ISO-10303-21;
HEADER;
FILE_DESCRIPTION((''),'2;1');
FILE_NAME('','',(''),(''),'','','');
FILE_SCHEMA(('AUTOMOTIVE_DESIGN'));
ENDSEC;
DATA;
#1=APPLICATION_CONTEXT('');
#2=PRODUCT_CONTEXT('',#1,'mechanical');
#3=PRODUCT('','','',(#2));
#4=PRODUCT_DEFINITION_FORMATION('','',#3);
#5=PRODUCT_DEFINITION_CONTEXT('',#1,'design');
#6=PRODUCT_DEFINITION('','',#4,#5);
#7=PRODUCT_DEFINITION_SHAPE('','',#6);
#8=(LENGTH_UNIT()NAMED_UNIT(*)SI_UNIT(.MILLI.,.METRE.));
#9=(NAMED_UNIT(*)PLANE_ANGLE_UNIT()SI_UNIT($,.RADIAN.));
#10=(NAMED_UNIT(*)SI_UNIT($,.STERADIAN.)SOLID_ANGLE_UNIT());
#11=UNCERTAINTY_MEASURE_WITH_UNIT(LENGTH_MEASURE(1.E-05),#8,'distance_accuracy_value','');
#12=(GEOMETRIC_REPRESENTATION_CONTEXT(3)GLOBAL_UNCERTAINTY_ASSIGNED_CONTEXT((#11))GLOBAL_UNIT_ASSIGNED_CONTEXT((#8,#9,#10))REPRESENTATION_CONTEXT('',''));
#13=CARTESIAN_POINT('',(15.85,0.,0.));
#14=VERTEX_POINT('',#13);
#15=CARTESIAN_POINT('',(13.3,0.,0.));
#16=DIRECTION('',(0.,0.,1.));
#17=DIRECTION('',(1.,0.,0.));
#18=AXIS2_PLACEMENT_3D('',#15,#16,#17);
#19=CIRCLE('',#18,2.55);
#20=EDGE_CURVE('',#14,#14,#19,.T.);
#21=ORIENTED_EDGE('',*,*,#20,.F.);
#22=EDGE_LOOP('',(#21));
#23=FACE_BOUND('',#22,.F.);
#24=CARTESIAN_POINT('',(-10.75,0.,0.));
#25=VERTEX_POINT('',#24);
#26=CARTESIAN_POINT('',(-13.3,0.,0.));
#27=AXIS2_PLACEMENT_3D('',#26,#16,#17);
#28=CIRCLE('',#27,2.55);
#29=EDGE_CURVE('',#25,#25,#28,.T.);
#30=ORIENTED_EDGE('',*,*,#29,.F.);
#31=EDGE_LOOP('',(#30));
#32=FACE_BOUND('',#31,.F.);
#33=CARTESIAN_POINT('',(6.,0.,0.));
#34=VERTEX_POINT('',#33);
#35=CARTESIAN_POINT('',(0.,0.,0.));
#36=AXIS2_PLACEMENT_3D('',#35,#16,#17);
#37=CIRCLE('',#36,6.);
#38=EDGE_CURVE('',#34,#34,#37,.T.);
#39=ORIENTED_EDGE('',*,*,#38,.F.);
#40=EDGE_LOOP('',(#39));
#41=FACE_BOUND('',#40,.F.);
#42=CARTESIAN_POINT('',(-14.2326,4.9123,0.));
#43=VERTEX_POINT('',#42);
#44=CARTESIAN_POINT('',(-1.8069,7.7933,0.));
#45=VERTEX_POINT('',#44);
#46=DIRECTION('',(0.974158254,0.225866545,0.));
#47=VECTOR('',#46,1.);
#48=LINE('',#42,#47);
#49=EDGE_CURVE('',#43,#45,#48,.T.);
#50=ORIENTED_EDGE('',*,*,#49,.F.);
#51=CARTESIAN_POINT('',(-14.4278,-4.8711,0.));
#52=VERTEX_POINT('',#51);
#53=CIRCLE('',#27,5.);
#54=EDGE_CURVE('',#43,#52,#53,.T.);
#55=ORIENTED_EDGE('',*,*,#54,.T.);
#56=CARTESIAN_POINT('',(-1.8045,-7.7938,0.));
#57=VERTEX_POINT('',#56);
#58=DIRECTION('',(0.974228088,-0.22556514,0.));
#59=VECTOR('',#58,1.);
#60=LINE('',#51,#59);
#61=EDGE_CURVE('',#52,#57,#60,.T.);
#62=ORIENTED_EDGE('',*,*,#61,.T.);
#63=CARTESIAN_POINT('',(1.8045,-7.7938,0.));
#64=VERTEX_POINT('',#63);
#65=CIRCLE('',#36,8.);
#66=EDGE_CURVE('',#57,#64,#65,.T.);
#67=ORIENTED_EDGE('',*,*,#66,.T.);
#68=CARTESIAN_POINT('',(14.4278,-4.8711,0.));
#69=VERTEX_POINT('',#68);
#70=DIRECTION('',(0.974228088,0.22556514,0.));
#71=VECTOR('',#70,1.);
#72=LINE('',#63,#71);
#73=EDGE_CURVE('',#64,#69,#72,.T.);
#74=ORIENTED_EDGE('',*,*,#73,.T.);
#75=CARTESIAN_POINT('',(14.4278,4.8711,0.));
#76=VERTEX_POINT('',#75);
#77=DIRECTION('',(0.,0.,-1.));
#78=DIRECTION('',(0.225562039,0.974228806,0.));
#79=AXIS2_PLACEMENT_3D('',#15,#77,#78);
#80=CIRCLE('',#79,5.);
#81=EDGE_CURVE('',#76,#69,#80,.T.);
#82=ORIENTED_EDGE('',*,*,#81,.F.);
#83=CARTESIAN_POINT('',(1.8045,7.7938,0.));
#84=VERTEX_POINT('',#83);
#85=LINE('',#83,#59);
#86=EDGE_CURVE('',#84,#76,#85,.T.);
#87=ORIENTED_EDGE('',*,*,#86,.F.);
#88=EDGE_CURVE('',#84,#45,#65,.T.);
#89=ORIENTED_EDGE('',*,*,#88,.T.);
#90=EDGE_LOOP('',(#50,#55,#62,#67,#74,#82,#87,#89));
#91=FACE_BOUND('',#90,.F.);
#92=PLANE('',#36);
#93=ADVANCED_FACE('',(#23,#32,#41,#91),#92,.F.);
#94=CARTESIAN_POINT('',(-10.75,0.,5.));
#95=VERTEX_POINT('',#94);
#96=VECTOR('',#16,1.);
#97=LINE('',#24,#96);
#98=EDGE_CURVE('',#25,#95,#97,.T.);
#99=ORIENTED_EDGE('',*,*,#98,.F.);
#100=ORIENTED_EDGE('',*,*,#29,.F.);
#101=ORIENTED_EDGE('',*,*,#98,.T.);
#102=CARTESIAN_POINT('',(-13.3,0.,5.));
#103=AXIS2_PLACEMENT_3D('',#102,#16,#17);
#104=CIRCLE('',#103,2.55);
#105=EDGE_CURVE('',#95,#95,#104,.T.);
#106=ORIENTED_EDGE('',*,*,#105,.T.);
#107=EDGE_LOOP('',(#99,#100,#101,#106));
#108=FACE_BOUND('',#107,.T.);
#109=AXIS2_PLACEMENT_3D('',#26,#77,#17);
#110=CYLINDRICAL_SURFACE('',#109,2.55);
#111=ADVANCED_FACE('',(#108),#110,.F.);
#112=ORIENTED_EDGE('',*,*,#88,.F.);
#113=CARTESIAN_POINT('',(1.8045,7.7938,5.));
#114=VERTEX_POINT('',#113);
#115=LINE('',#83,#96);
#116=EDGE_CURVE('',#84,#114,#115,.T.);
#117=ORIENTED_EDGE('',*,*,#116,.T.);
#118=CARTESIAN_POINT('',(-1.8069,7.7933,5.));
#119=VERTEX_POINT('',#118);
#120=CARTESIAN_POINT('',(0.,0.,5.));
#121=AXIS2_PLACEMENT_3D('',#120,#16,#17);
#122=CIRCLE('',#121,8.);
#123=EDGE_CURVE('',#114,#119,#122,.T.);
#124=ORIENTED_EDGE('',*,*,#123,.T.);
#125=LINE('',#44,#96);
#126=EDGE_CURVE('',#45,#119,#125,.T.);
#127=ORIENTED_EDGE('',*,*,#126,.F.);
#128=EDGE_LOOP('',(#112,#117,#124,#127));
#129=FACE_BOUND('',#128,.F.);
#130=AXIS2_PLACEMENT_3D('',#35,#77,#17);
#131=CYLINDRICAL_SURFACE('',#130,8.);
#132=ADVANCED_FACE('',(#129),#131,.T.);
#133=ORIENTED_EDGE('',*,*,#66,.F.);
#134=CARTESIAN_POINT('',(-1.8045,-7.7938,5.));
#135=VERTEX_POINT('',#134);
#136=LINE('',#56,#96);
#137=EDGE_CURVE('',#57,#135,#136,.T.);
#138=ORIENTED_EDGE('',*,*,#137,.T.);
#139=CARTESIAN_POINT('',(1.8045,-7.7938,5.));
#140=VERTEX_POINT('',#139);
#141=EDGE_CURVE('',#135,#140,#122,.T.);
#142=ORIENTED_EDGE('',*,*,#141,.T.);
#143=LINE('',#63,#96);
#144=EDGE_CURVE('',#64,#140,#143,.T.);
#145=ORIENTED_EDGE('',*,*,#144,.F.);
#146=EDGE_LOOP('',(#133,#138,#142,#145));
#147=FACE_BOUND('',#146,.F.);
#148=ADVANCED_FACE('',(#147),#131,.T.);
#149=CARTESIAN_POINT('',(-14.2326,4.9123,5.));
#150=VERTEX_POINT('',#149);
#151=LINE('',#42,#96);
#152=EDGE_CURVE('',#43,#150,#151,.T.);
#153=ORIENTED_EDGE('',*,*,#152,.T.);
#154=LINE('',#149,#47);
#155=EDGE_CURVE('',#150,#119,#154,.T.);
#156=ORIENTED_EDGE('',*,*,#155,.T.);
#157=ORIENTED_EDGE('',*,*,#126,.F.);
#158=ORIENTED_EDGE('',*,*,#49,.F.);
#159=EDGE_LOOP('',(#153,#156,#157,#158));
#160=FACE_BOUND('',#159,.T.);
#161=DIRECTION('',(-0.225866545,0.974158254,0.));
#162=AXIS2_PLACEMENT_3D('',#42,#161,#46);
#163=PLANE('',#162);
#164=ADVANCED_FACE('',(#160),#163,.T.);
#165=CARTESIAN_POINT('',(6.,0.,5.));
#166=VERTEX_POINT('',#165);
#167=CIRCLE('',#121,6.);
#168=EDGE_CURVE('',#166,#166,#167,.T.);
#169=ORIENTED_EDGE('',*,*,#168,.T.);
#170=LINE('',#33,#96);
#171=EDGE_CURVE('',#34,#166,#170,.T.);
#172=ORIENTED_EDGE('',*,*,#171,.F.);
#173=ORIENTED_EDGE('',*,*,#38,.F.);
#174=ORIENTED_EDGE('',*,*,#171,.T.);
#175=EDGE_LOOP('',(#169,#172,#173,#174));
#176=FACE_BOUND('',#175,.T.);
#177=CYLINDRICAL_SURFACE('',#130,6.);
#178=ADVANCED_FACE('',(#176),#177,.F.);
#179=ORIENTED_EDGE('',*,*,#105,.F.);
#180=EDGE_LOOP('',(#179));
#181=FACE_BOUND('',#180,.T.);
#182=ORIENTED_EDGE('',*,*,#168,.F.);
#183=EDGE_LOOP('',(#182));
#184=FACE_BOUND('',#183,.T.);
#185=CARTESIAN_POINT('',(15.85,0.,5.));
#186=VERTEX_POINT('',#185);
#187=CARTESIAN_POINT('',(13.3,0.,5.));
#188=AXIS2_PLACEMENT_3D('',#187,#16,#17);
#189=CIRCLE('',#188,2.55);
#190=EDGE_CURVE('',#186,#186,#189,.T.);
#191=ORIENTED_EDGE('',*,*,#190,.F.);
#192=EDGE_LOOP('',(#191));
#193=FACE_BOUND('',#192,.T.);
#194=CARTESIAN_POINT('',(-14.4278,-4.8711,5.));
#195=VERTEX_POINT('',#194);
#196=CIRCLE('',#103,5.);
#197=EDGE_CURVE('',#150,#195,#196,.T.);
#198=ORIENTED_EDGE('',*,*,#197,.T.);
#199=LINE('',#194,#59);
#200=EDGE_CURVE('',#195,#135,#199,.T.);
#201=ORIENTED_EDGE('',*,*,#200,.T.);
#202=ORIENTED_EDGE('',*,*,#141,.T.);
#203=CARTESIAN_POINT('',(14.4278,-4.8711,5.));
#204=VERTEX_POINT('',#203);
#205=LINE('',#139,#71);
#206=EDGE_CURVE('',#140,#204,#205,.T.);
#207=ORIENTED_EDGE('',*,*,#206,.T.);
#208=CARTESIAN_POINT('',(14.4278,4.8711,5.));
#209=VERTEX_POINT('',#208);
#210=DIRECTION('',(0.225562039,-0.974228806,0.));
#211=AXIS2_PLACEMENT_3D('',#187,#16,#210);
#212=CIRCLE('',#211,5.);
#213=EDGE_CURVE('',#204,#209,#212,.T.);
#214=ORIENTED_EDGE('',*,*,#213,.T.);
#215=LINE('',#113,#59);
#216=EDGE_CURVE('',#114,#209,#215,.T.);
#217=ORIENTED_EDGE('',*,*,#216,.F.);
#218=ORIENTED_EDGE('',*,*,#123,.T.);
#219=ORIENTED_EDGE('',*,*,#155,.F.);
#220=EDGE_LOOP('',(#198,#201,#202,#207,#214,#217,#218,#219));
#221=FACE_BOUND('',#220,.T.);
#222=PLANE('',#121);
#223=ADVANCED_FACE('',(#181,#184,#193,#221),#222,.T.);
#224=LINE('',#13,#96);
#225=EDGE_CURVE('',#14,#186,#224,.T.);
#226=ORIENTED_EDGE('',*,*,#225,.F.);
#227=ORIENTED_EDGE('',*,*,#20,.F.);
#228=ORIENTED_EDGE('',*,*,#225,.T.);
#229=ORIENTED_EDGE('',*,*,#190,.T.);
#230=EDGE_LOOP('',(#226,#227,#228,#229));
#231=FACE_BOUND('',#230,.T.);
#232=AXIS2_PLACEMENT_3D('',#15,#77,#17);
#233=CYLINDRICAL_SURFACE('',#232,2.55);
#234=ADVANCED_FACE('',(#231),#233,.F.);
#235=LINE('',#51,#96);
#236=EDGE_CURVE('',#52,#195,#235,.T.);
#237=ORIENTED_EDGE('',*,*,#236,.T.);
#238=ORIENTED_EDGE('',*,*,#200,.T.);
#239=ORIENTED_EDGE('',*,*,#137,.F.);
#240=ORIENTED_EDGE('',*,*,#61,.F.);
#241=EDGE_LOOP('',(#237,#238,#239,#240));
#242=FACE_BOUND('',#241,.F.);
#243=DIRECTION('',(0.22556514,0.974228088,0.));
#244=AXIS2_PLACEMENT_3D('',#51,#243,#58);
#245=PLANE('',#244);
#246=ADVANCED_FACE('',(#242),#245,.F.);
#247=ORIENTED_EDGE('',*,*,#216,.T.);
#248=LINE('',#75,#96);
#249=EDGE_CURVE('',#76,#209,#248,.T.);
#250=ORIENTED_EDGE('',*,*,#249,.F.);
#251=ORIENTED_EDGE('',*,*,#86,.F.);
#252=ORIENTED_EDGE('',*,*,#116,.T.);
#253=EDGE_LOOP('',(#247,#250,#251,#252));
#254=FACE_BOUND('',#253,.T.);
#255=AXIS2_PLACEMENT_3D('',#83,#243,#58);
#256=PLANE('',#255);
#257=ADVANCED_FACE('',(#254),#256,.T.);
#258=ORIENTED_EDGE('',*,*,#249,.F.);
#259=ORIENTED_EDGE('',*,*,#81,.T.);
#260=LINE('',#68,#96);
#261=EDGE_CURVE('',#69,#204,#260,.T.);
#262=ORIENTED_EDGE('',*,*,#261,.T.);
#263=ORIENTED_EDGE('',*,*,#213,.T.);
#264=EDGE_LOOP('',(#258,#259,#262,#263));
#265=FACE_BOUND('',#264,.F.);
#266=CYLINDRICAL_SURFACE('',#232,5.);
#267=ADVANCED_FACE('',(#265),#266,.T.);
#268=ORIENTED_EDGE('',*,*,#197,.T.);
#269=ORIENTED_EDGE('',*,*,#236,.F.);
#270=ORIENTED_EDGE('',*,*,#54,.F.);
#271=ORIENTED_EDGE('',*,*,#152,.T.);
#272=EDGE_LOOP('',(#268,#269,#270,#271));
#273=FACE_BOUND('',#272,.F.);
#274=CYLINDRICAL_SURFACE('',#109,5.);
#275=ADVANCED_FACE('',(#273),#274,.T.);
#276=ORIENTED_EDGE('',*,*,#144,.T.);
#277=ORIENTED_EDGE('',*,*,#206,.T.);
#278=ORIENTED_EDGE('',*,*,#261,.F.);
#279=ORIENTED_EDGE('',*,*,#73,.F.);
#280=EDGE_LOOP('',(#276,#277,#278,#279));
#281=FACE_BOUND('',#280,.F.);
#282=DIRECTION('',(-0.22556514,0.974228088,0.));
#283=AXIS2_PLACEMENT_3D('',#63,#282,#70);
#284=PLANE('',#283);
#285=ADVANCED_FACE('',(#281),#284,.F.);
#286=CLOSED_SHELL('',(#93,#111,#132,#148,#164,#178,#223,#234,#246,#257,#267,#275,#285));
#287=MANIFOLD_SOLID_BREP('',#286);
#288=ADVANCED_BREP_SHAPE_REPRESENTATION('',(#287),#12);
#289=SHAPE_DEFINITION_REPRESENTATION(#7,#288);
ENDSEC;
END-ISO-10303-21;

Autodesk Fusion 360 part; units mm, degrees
sketch "Sketch1" plane through (0, 0, 0) normal (0, 0, 1) x (1, 0, 0)
  circle A0 centre (-13.3, 0) radius 2.55
  circle A1 centre (-13.3, 0) radius 5
  line L0 (0, 10) -> (0, 0) construction
  circle A2 centre (13.3, 0) radius 2.55
  circle A3 centre (13.3, 0) radius 5
  circle A4 centre (0, 0) radius 6
  circle A5 centre (0, 0) radius 8
  line L1 (-14.2326, 4.9123) -> (-1.8069, 7.7933)
  line L2 (1.8045, 7.7938) -> (14.4278, 4.8711)
  line L3 (1.8045, -7.7938) -> (14.4278, -4.8711)
  line L4 (-14.4278, -4.8711) -> (-1.8045, -7.7938)
  circle A6 centre (-13.3, 0) radius 1.5
  circle A7 centre (13.3, 0) radius 1.5
  dimension "d1" = 5.1
  dimension "d2" = 13.3
  dimension "d3" = 10
  dimension "d6" = 12
  dimension "d7" = 16
  dimension "d10" = 3
extrude "Extrude2" add sketch "Sketch1" along normal blind 5 contours A1 | A1 A5 L1 L4 | A5 | A3 A5 L2 L3 | A3
equation "d2 = ( 26.6 / 2 ) * 1 mm"
